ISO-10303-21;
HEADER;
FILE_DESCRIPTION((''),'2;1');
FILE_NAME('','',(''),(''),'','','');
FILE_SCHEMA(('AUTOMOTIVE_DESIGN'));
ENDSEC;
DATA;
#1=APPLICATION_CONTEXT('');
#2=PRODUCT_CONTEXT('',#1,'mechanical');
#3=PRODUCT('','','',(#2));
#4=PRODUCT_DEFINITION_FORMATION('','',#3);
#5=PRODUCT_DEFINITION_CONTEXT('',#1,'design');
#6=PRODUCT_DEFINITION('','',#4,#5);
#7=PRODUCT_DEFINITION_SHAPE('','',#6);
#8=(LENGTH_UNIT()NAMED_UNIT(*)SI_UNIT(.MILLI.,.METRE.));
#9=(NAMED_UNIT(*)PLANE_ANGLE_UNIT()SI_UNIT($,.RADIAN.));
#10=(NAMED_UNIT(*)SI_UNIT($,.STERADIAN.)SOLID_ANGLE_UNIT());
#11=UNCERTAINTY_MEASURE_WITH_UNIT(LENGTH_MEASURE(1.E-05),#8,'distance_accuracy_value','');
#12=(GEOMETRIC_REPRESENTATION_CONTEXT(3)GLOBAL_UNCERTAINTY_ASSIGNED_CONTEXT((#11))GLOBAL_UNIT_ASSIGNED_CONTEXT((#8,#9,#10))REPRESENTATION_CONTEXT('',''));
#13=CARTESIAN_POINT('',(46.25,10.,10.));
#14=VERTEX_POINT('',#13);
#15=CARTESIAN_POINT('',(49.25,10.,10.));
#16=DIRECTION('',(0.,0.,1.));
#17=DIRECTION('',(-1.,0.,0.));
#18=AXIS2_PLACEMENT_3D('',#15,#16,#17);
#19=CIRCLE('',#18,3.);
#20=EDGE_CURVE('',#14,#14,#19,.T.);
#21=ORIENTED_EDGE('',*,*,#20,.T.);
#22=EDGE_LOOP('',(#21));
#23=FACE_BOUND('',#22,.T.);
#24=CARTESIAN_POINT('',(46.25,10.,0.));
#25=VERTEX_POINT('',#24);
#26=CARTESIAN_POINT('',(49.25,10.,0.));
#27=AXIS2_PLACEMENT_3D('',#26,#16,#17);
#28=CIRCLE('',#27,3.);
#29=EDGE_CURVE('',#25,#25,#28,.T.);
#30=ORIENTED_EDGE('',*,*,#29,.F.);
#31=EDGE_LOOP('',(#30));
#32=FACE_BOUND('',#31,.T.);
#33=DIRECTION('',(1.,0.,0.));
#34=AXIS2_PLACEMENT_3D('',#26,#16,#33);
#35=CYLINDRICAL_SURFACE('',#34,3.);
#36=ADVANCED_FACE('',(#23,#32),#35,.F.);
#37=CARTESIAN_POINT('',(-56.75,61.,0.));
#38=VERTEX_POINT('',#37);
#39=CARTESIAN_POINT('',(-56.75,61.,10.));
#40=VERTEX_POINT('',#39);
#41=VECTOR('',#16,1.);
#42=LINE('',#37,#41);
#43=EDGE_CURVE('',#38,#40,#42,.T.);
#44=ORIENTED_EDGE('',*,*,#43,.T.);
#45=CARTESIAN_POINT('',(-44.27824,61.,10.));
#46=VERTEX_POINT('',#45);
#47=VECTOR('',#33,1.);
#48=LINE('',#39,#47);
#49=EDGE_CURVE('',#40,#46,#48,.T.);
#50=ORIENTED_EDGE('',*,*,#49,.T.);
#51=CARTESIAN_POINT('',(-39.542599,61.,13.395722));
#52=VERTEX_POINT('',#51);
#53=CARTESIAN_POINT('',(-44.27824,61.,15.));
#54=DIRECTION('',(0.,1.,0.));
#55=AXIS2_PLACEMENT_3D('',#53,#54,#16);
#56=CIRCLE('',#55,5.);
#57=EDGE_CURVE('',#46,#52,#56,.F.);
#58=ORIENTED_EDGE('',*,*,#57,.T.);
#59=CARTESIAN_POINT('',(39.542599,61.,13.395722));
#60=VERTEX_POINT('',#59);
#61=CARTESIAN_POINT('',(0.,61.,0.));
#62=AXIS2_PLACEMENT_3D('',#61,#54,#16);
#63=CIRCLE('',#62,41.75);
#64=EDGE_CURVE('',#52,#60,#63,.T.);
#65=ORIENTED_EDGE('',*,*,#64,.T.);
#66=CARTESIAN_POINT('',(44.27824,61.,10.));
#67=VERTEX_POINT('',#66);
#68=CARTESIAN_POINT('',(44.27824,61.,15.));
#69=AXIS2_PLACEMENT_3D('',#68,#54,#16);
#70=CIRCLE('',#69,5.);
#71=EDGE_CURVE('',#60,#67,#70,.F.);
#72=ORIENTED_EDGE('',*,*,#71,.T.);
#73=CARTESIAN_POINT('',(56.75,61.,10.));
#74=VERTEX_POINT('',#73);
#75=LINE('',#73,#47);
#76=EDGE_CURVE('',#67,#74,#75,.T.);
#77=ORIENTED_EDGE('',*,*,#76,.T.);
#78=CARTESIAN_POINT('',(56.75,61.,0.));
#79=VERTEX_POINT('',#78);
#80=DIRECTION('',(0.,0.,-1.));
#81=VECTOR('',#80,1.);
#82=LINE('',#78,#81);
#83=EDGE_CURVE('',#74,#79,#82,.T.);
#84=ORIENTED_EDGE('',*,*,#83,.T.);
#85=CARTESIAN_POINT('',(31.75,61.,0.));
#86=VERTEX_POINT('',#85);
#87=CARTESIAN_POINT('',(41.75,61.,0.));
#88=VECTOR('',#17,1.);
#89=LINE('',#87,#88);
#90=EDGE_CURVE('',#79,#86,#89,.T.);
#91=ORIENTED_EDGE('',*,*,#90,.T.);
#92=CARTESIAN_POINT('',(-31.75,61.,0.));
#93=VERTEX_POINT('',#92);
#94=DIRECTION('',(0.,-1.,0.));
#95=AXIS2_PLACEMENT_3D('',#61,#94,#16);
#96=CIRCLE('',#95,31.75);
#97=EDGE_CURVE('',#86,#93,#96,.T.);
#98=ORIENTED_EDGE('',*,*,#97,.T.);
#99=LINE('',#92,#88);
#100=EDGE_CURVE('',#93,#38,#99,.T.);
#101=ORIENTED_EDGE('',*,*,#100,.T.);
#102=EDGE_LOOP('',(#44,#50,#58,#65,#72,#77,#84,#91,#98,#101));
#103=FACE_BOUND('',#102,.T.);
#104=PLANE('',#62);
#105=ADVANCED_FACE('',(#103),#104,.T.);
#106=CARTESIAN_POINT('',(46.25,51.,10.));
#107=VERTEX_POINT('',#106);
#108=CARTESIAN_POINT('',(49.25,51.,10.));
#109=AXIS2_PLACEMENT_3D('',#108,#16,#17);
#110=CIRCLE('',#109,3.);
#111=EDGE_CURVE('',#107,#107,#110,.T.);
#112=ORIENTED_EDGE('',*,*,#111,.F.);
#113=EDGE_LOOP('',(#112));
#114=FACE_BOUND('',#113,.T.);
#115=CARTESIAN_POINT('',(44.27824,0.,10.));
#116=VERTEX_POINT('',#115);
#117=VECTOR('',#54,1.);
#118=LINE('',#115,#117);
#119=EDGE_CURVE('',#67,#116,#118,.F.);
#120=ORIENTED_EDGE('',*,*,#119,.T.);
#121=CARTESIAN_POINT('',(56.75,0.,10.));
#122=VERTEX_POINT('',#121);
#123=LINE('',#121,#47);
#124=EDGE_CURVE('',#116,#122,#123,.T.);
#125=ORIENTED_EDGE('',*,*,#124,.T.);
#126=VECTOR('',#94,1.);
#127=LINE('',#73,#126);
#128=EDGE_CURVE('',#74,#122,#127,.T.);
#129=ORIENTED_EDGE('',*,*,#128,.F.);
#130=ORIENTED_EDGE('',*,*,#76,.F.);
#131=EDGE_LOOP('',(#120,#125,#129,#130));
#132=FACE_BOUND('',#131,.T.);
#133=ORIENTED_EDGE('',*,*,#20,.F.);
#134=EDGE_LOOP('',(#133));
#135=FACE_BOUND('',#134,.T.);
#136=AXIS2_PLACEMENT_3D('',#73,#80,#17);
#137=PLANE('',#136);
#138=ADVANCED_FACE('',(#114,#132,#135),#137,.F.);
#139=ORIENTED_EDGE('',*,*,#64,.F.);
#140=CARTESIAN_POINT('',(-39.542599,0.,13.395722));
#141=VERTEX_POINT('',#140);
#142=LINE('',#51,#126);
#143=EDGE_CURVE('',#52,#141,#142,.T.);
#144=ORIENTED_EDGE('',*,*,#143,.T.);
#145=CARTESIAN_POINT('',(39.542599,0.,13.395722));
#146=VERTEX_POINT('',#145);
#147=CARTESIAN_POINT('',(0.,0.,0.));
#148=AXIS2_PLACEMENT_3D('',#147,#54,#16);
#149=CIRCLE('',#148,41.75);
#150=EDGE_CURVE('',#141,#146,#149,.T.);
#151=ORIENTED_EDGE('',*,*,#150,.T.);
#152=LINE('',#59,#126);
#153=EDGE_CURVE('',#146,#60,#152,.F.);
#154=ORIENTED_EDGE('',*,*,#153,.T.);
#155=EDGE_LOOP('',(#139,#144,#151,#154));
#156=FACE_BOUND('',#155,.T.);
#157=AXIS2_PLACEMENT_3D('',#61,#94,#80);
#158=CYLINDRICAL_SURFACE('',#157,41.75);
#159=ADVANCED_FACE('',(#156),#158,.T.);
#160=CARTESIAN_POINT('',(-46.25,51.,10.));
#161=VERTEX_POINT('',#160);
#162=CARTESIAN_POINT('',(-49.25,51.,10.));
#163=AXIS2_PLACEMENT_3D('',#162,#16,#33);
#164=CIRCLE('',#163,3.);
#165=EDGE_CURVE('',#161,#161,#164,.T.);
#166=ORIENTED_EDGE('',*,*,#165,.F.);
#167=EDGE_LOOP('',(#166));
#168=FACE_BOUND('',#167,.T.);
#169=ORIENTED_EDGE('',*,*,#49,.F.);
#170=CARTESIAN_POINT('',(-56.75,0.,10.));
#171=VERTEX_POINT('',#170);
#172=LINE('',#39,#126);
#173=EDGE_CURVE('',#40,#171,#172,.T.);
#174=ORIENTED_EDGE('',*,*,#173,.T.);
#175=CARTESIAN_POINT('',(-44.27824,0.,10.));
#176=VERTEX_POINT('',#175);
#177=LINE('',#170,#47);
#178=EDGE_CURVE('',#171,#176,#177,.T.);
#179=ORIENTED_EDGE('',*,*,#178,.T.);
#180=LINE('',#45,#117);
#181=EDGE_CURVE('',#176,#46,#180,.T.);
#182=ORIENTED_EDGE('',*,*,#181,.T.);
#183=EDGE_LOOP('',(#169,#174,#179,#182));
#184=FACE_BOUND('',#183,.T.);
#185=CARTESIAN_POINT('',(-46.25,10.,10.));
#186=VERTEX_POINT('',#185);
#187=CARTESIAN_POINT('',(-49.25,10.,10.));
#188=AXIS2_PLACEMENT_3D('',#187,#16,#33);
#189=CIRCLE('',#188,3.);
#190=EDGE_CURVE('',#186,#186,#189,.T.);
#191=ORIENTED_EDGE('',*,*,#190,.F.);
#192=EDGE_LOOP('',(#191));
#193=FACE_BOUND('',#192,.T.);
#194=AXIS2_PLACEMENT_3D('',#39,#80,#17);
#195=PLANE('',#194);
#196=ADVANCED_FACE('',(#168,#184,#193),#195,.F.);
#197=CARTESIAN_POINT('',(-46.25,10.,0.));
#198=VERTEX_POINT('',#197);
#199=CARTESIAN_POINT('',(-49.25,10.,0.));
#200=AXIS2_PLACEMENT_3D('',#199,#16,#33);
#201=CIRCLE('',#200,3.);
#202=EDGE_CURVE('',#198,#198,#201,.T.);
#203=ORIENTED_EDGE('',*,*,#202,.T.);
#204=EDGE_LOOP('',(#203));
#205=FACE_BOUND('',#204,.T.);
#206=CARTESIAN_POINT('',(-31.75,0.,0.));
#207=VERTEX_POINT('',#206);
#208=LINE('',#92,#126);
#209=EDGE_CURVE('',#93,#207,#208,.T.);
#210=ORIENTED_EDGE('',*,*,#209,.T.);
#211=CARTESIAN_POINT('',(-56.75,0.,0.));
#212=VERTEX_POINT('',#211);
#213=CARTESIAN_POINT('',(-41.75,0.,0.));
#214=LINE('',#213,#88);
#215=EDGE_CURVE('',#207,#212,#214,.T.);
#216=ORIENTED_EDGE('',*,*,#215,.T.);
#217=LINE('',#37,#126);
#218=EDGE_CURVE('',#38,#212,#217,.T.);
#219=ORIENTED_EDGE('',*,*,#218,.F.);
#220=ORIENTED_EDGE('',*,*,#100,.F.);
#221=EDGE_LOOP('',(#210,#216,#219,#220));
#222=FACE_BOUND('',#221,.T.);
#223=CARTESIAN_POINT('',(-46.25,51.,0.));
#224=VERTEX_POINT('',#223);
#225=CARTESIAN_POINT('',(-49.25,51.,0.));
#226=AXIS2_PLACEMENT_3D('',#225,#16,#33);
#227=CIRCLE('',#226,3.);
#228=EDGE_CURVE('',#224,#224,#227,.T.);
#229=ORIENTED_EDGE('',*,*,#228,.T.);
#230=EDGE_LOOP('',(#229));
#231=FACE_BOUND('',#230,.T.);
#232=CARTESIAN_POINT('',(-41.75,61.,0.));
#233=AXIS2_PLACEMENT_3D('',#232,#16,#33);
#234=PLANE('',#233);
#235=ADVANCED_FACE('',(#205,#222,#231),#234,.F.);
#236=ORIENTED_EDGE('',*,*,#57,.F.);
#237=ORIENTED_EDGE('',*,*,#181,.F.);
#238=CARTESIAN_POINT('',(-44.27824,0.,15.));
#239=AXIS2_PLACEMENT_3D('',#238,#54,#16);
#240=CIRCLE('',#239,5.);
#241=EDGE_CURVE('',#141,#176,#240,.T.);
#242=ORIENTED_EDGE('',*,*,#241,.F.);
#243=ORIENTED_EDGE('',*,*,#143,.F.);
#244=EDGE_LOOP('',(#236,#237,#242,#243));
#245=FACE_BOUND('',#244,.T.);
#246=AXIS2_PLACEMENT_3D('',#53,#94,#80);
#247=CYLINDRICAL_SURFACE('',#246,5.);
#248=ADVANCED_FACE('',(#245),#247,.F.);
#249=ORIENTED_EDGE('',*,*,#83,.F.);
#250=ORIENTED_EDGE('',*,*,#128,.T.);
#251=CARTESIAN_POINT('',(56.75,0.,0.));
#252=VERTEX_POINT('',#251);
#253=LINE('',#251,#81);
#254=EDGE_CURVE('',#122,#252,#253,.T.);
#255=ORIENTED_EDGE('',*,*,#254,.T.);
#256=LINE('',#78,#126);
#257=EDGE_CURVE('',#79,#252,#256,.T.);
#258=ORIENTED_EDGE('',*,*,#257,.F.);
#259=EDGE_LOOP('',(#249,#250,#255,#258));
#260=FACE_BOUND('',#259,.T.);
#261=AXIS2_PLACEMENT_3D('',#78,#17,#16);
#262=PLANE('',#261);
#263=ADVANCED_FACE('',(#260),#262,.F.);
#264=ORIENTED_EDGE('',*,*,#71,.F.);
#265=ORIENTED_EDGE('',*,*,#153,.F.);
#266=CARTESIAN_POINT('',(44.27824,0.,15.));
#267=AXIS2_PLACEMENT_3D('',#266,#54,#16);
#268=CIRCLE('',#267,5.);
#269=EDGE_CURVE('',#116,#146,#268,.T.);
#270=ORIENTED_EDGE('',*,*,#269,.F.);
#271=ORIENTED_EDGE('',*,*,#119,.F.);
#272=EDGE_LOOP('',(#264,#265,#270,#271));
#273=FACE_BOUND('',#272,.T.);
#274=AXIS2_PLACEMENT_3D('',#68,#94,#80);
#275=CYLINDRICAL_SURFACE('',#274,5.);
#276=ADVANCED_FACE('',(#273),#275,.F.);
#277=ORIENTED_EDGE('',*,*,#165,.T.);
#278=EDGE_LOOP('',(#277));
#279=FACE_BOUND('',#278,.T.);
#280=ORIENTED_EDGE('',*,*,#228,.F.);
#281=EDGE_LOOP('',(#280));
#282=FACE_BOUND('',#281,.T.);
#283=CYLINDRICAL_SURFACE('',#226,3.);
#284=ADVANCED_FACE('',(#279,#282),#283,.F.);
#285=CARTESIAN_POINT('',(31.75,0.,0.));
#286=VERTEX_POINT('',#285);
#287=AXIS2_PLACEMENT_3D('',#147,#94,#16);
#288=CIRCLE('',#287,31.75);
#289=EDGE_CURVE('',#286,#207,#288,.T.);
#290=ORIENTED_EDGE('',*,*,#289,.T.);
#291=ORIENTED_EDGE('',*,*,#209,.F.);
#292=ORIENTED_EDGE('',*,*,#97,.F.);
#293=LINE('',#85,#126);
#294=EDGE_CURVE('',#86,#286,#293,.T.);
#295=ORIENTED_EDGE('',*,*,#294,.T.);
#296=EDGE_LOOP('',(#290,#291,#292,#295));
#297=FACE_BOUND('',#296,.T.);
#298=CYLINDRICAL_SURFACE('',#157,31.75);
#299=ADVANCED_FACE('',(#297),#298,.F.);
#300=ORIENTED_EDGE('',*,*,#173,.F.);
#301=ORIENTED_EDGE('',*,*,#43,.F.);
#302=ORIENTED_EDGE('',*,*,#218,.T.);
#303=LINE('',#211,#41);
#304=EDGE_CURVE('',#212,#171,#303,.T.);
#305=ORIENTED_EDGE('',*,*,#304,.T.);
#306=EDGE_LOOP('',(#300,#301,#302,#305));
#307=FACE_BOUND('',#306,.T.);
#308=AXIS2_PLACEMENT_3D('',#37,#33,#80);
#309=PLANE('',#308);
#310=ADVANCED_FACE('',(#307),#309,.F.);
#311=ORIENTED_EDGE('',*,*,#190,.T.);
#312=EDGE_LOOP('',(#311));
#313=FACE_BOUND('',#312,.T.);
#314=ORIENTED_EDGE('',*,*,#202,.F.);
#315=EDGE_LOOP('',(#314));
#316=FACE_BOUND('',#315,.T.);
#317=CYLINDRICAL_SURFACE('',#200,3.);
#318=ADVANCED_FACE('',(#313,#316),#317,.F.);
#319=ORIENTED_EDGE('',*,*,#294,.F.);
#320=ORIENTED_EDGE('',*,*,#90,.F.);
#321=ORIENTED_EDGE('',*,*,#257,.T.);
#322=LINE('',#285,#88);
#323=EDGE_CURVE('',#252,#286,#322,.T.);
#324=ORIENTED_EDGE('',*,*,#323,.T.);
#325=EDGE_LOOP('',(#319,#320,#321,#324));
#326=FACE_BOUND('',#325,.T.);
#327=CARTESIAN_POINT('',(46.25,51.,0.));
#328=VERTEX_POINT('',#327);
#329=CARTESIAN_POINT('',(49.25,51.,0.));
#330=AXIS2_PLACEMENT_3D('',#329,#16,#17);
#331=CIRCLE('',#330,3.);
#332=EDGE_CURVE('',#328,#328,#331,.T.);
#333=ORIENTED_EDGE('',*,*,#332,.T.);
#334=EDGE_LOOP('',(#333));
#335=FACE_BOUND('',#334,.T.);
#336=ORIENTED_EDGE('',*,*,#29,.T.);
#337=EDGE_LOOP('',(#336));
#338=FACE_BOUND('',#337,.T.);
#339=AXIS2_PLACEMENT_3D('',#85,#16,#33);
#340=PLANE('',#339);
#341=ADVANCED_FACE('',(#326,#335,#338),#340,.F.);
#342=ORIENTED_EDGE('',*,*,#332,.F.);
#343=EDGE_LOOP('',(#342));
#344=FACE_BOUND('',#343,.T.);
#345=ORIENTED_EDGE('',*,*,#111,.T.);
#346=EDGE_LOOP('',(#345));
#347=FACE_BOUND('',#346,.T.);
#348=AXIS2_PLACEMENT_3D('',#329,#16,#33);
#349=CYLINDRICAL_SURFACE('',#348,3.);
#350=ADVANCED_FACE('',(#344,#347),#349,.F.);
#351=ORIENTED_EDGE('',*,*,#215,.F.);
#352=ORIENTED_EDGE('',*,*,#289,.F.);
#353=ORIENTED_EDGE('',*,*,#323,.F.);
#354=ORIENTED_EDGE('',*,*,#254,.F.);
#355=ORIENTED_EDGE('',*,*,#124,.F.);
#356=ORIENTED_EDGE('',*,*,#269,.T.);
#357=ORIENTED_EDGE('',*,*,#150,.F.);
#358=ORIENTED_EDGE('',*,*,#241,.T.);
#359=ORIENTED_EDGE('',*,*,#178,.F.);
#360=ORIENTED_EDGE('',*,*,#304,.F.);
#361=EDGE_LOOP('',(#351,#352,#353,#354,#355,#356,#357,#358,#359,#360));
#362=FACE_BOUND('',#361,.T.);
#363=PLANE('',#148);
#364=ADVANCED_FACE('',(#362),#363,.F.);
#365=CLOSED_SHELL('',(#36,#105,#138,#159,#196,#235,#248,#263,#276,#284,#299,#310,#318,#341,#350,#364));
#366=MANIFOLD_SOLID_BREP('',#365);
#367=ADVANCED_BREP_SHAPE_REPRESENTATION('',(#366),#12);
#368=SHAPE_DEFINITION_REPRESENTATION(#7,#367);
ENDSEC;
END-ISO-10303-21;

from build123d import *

# Parameters (mm, degrees)
BOSS_EXTRUDE1_DEPTH = 61
SKETCH2_R           = 3
CUT_EXTRUDE1_DEPTH  = 90.16066958
FILLET1_R           = 5


with BuildPart() as part:
    # Sketch1 → Boss-Extrude1 (new body)
    with BuildSketch(Plane(origin=(0, 0, 0), x_dir=(1, 0, 0), z_dir=(0, 1, 0))):
        with BuildLine():
            Line((-31.75, 0), (-41.75, 0))
            Line((-41.75, 0), (-56.75, 0))
            Line((-56.75, 0), (-56.75, -10))
            Line((-56.75, -10), (-40.534707351, -10))
            ThreePointArc((-40.534707351, -10), (0, -41.75), (40.534707351, -10))
            Line((40.534707351, -10), (56.75, -10))
            Line((56.75, -10), (56.75, 0))
            Line((56.75, 0), (41.75, 0))
            Line((41.75, 0), (31.75, 0))
            ThreePointArc((31.75, 0), (0, -31.75), (-31.75, 0))
        make_face()
    extrude(amount=BOSS_EXTRUDE1_DEPTH)

    # Sketch2 → Cut-Extrude1 (cut, through all)
    with BuildSketch(Plane.XY.offset(10)):
        with Locations((-49.25, 51)):
            Circle(SKETCH2_R)
        with Locations((-49.25, 10)):
            Circle(SKETCH2_R)
        with Locations(Location((49.25, 10, 0), (0, 0, 180))):
            Circle(SKETCH2_R)
        with Locations(Location((49.25, 51, 0), (0, 0, 180))):
            Circle(SKETCH2_R)
    extrude(amount=-CUT_EXTRUDE1_DEPTH, mode=Mode.SUBTRACT)

    # Fillet1
    fillet1_edges = [part.edges().sort_by_distance(p)[0] for p in [
        (40.534707351, 30.5, 10),
        (-40.534707351, 30.5, 10),
    ]]
    fillet(fillet1_edges, radius=FILLET1_R)


solid = part.part
